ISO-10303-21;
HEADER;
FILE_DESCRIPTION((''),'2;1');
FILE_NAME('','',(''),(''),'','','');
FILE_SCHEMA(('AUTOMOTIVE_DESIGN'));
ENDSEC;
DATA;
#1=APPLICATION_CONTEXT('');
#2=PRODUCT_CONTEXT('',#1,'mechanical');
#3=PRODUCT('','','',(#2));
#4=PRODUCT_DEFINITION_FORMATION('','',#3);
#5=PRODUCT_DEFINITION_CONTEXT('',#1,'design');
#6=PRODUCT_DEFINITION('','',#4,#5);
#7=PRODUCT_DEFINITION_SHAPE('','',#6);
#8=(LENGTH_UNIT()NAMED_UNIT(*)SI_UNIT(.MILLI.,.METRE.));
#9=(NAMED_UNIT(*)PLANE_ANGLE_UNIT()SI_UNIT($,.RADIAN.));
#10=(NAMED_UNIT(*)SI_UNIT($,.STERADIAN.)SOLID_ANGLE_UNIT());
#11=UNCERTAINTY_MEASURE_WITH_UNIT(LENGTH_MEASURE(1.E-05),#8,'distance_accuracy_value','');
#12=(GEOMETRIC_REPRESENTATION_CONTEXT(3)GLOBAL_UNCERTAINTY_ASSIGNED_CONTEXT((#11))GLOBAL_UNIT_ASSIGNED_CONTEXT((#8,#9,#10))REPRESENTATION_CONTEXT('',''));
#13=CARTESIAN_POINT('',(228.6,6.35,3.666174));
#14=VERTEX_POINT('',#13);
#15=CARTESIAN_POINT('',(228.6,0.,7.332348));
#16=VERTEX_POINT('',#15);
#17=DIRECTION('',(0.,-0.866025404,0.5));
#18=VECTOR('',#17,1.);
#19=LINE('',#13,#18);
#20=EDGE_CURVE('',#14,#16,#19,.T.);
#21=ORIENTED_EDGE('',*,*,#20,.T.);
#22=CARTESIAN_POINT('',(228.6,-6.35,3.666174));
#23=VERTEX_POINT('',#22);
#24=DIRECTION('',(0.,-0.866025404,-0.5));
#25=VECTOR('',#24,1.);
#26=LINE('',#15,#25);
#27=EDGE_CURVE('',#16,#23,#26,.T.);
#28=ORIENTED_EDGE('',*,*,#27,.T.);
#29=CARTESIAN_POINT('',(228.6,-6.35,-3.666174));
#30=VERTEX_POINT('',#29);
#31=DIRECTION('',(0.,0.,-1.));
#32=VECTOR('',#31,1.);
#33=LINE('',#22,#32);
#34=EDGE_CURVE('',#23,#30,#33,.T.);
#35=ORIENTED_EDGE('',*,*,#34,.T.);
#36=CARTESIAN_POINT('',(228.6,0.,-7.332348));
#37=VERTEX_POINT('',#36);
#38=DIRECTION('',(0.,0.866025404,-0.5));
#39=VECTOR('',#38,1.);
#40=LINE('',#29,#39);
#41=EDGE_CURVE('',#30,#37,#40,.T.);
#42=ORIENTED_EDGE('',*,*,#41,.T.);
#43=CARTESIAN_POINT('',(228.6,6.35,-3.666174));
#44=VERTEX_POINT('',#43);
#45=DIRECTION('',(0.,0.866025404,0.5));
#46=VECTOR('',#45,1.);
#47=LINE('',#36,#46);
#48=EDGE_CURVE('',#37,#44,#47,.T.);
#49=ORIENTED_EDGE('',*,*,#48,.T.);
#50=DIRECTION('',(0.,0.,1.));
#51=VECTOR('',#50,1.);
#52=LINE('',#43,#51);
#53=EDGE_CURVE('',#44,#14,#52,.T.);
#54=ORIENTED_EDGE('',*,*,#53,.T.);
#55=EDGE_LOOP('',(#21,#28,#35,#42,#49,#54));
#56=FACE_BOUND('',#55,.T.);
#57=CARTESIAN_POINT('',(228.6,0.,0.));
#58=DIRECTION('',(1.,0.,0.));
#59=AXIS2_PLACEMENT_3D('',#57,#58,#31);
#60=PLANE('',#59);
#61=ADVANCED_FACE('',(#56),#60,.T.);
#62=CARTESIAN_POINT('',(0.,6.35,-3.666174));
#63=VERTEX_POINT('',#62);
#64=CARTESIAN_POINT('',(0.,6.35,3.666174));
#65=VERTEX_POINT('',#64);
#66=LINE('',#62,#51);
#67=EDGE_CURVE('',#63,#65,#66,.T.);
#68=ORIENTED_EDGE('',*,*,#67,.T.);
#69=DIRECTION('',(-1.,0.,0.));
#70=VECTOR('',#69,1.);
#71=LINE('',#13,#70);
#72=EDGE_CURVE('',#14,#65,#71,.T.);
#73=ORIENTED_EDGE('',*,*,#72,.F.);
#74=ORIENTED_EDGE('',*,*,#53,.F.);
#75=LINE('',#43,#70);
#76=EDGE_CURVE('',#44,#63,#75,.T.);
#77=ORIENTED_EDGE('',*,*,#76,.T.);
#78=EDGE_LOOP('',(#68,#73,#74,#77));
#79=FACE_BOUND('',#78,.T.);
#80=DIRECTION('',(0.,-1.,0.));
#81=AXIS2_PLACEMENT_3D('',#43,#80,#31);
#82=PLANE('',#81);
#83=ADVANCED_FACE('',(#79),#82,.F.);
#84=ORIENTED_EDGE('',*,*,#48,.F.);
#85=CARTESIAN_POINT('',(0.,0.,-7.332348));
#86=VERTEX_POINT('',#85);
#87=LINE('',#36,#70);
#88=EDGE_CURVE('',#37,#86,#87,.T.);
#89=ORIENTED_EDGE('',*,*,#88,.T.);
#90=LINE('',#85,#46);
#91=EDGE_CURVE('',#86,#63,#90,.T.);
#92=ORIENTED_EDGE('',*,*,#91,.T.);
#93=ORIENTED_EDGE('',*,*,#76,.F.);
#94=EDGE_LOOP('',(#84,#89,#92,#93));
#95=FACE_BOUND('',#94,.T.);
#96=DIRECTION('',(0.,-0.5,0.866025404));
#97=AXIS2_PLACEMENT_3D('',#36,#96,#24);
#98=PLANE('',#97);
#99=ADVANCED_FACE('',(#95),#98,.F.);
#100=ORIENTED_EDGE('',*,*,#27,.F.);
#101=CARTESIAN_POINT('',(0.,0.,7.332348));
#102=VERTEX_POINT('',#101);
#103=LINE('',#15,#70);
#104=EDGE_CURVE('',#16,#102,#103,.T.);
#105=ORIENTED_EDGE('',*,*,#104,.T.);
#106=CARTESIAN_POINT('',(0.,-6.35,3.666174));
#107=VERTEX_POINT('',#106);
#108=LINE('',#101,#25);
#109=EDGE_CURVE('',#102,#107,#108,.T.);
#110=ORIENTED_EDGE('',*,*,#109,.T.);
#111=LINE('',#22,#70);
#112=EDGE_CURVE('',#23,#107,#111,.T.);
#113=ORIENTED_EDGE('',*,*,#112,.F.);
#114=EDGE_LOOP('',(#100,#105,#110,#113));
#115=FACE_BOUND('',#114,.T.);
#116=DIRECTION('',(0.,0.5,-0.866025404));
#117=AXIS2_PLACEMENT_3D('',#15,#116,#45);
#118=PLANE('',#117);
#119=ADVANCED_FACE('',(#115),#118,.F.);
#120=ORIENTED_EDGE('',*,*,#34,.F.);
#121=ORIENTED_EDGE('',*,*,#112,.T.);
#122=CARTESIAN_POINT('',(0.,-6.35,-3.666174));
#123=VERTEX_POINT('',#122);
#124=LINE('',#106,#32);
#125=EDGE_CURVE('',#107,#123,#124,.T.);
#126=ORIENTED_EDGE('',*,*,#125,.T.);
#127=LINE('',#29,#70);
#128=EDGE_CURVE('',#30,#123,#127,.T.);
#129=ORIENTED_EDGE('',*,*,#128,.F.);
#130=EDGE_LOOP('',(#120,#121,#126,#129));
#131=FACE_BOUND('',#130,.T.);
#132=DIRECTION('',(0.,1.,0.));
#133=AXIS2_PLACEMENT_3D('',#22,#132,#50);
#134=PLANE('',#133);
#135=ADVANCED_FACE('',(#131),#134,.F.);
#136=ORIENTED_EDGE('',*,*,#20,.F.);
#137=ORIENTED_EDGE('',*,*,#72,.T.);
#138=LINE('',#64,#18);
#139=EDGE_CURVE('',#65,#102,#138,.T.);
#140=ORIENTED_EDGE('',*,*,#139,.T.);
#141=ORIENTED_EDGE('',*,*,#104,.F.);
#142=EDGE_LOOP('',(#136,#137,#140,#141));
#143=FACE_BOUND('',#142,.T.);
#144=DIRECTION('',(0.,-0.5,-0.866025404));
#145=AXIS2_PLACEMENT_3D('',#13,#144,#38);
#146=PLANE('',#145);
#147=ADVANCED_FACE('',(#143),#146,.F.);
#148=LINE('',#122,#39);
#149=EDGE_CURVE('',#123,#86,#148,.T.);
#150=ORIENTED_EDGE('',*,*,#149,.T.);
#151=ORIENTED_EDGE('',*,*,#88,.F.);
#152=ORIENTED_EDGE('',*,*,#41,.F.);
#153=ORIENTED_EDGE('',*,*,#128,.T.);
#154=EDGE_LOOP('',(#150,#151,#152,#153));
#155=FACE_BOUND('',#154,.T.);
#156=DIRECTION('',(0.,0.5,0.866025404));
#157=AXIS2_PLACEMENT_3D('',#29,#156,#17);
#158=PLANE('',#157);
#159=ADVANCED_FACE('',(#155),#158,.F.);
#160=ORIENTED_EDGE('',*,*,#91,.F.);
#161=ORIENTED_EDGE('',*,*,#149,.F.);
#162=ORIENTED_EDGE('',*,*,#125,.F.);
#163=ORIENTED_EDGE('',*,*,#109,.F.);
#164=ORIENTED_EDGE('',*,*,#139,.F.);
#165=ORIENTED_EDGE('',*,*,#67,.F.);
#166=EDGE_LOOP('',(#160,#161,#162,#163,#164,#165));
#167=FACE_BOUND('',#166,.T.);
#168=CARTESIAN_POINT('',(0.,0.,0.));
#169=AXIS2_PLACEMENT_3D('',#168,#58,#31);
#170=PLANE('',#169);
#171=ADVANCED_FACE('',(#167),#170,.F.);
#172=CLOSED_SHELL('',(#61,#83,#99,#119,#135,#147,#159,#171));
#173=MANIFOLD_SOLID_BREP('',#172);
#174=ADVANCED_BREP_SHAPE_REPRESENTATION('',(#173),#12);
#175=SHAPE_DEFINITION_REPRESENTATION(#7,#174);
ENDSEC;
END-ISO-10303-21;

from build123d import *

# Parameters (mm, degrees)
BOSS_EXTRUDE1_DEPTH = 228.6


with BuildPart() as part:
    # Sketch1 → Boss-Extrude1 (new body)
    with BuildSketch(Plane(origin=(0, 0, 0), x_dir=(0, 0, -1), z_dir=(1, 0, 0))):
        Polygon((7.332348419, 0), (3.666174209, 6.35), (-3.666174209, 6.35), (-7.332348419, 0), (-3.666174209, -6.35), (3.666174209, -6.35), align=None)
    extrude(amount=BOSS_EXTRUDE1_DEPTH)


solid = part.part
